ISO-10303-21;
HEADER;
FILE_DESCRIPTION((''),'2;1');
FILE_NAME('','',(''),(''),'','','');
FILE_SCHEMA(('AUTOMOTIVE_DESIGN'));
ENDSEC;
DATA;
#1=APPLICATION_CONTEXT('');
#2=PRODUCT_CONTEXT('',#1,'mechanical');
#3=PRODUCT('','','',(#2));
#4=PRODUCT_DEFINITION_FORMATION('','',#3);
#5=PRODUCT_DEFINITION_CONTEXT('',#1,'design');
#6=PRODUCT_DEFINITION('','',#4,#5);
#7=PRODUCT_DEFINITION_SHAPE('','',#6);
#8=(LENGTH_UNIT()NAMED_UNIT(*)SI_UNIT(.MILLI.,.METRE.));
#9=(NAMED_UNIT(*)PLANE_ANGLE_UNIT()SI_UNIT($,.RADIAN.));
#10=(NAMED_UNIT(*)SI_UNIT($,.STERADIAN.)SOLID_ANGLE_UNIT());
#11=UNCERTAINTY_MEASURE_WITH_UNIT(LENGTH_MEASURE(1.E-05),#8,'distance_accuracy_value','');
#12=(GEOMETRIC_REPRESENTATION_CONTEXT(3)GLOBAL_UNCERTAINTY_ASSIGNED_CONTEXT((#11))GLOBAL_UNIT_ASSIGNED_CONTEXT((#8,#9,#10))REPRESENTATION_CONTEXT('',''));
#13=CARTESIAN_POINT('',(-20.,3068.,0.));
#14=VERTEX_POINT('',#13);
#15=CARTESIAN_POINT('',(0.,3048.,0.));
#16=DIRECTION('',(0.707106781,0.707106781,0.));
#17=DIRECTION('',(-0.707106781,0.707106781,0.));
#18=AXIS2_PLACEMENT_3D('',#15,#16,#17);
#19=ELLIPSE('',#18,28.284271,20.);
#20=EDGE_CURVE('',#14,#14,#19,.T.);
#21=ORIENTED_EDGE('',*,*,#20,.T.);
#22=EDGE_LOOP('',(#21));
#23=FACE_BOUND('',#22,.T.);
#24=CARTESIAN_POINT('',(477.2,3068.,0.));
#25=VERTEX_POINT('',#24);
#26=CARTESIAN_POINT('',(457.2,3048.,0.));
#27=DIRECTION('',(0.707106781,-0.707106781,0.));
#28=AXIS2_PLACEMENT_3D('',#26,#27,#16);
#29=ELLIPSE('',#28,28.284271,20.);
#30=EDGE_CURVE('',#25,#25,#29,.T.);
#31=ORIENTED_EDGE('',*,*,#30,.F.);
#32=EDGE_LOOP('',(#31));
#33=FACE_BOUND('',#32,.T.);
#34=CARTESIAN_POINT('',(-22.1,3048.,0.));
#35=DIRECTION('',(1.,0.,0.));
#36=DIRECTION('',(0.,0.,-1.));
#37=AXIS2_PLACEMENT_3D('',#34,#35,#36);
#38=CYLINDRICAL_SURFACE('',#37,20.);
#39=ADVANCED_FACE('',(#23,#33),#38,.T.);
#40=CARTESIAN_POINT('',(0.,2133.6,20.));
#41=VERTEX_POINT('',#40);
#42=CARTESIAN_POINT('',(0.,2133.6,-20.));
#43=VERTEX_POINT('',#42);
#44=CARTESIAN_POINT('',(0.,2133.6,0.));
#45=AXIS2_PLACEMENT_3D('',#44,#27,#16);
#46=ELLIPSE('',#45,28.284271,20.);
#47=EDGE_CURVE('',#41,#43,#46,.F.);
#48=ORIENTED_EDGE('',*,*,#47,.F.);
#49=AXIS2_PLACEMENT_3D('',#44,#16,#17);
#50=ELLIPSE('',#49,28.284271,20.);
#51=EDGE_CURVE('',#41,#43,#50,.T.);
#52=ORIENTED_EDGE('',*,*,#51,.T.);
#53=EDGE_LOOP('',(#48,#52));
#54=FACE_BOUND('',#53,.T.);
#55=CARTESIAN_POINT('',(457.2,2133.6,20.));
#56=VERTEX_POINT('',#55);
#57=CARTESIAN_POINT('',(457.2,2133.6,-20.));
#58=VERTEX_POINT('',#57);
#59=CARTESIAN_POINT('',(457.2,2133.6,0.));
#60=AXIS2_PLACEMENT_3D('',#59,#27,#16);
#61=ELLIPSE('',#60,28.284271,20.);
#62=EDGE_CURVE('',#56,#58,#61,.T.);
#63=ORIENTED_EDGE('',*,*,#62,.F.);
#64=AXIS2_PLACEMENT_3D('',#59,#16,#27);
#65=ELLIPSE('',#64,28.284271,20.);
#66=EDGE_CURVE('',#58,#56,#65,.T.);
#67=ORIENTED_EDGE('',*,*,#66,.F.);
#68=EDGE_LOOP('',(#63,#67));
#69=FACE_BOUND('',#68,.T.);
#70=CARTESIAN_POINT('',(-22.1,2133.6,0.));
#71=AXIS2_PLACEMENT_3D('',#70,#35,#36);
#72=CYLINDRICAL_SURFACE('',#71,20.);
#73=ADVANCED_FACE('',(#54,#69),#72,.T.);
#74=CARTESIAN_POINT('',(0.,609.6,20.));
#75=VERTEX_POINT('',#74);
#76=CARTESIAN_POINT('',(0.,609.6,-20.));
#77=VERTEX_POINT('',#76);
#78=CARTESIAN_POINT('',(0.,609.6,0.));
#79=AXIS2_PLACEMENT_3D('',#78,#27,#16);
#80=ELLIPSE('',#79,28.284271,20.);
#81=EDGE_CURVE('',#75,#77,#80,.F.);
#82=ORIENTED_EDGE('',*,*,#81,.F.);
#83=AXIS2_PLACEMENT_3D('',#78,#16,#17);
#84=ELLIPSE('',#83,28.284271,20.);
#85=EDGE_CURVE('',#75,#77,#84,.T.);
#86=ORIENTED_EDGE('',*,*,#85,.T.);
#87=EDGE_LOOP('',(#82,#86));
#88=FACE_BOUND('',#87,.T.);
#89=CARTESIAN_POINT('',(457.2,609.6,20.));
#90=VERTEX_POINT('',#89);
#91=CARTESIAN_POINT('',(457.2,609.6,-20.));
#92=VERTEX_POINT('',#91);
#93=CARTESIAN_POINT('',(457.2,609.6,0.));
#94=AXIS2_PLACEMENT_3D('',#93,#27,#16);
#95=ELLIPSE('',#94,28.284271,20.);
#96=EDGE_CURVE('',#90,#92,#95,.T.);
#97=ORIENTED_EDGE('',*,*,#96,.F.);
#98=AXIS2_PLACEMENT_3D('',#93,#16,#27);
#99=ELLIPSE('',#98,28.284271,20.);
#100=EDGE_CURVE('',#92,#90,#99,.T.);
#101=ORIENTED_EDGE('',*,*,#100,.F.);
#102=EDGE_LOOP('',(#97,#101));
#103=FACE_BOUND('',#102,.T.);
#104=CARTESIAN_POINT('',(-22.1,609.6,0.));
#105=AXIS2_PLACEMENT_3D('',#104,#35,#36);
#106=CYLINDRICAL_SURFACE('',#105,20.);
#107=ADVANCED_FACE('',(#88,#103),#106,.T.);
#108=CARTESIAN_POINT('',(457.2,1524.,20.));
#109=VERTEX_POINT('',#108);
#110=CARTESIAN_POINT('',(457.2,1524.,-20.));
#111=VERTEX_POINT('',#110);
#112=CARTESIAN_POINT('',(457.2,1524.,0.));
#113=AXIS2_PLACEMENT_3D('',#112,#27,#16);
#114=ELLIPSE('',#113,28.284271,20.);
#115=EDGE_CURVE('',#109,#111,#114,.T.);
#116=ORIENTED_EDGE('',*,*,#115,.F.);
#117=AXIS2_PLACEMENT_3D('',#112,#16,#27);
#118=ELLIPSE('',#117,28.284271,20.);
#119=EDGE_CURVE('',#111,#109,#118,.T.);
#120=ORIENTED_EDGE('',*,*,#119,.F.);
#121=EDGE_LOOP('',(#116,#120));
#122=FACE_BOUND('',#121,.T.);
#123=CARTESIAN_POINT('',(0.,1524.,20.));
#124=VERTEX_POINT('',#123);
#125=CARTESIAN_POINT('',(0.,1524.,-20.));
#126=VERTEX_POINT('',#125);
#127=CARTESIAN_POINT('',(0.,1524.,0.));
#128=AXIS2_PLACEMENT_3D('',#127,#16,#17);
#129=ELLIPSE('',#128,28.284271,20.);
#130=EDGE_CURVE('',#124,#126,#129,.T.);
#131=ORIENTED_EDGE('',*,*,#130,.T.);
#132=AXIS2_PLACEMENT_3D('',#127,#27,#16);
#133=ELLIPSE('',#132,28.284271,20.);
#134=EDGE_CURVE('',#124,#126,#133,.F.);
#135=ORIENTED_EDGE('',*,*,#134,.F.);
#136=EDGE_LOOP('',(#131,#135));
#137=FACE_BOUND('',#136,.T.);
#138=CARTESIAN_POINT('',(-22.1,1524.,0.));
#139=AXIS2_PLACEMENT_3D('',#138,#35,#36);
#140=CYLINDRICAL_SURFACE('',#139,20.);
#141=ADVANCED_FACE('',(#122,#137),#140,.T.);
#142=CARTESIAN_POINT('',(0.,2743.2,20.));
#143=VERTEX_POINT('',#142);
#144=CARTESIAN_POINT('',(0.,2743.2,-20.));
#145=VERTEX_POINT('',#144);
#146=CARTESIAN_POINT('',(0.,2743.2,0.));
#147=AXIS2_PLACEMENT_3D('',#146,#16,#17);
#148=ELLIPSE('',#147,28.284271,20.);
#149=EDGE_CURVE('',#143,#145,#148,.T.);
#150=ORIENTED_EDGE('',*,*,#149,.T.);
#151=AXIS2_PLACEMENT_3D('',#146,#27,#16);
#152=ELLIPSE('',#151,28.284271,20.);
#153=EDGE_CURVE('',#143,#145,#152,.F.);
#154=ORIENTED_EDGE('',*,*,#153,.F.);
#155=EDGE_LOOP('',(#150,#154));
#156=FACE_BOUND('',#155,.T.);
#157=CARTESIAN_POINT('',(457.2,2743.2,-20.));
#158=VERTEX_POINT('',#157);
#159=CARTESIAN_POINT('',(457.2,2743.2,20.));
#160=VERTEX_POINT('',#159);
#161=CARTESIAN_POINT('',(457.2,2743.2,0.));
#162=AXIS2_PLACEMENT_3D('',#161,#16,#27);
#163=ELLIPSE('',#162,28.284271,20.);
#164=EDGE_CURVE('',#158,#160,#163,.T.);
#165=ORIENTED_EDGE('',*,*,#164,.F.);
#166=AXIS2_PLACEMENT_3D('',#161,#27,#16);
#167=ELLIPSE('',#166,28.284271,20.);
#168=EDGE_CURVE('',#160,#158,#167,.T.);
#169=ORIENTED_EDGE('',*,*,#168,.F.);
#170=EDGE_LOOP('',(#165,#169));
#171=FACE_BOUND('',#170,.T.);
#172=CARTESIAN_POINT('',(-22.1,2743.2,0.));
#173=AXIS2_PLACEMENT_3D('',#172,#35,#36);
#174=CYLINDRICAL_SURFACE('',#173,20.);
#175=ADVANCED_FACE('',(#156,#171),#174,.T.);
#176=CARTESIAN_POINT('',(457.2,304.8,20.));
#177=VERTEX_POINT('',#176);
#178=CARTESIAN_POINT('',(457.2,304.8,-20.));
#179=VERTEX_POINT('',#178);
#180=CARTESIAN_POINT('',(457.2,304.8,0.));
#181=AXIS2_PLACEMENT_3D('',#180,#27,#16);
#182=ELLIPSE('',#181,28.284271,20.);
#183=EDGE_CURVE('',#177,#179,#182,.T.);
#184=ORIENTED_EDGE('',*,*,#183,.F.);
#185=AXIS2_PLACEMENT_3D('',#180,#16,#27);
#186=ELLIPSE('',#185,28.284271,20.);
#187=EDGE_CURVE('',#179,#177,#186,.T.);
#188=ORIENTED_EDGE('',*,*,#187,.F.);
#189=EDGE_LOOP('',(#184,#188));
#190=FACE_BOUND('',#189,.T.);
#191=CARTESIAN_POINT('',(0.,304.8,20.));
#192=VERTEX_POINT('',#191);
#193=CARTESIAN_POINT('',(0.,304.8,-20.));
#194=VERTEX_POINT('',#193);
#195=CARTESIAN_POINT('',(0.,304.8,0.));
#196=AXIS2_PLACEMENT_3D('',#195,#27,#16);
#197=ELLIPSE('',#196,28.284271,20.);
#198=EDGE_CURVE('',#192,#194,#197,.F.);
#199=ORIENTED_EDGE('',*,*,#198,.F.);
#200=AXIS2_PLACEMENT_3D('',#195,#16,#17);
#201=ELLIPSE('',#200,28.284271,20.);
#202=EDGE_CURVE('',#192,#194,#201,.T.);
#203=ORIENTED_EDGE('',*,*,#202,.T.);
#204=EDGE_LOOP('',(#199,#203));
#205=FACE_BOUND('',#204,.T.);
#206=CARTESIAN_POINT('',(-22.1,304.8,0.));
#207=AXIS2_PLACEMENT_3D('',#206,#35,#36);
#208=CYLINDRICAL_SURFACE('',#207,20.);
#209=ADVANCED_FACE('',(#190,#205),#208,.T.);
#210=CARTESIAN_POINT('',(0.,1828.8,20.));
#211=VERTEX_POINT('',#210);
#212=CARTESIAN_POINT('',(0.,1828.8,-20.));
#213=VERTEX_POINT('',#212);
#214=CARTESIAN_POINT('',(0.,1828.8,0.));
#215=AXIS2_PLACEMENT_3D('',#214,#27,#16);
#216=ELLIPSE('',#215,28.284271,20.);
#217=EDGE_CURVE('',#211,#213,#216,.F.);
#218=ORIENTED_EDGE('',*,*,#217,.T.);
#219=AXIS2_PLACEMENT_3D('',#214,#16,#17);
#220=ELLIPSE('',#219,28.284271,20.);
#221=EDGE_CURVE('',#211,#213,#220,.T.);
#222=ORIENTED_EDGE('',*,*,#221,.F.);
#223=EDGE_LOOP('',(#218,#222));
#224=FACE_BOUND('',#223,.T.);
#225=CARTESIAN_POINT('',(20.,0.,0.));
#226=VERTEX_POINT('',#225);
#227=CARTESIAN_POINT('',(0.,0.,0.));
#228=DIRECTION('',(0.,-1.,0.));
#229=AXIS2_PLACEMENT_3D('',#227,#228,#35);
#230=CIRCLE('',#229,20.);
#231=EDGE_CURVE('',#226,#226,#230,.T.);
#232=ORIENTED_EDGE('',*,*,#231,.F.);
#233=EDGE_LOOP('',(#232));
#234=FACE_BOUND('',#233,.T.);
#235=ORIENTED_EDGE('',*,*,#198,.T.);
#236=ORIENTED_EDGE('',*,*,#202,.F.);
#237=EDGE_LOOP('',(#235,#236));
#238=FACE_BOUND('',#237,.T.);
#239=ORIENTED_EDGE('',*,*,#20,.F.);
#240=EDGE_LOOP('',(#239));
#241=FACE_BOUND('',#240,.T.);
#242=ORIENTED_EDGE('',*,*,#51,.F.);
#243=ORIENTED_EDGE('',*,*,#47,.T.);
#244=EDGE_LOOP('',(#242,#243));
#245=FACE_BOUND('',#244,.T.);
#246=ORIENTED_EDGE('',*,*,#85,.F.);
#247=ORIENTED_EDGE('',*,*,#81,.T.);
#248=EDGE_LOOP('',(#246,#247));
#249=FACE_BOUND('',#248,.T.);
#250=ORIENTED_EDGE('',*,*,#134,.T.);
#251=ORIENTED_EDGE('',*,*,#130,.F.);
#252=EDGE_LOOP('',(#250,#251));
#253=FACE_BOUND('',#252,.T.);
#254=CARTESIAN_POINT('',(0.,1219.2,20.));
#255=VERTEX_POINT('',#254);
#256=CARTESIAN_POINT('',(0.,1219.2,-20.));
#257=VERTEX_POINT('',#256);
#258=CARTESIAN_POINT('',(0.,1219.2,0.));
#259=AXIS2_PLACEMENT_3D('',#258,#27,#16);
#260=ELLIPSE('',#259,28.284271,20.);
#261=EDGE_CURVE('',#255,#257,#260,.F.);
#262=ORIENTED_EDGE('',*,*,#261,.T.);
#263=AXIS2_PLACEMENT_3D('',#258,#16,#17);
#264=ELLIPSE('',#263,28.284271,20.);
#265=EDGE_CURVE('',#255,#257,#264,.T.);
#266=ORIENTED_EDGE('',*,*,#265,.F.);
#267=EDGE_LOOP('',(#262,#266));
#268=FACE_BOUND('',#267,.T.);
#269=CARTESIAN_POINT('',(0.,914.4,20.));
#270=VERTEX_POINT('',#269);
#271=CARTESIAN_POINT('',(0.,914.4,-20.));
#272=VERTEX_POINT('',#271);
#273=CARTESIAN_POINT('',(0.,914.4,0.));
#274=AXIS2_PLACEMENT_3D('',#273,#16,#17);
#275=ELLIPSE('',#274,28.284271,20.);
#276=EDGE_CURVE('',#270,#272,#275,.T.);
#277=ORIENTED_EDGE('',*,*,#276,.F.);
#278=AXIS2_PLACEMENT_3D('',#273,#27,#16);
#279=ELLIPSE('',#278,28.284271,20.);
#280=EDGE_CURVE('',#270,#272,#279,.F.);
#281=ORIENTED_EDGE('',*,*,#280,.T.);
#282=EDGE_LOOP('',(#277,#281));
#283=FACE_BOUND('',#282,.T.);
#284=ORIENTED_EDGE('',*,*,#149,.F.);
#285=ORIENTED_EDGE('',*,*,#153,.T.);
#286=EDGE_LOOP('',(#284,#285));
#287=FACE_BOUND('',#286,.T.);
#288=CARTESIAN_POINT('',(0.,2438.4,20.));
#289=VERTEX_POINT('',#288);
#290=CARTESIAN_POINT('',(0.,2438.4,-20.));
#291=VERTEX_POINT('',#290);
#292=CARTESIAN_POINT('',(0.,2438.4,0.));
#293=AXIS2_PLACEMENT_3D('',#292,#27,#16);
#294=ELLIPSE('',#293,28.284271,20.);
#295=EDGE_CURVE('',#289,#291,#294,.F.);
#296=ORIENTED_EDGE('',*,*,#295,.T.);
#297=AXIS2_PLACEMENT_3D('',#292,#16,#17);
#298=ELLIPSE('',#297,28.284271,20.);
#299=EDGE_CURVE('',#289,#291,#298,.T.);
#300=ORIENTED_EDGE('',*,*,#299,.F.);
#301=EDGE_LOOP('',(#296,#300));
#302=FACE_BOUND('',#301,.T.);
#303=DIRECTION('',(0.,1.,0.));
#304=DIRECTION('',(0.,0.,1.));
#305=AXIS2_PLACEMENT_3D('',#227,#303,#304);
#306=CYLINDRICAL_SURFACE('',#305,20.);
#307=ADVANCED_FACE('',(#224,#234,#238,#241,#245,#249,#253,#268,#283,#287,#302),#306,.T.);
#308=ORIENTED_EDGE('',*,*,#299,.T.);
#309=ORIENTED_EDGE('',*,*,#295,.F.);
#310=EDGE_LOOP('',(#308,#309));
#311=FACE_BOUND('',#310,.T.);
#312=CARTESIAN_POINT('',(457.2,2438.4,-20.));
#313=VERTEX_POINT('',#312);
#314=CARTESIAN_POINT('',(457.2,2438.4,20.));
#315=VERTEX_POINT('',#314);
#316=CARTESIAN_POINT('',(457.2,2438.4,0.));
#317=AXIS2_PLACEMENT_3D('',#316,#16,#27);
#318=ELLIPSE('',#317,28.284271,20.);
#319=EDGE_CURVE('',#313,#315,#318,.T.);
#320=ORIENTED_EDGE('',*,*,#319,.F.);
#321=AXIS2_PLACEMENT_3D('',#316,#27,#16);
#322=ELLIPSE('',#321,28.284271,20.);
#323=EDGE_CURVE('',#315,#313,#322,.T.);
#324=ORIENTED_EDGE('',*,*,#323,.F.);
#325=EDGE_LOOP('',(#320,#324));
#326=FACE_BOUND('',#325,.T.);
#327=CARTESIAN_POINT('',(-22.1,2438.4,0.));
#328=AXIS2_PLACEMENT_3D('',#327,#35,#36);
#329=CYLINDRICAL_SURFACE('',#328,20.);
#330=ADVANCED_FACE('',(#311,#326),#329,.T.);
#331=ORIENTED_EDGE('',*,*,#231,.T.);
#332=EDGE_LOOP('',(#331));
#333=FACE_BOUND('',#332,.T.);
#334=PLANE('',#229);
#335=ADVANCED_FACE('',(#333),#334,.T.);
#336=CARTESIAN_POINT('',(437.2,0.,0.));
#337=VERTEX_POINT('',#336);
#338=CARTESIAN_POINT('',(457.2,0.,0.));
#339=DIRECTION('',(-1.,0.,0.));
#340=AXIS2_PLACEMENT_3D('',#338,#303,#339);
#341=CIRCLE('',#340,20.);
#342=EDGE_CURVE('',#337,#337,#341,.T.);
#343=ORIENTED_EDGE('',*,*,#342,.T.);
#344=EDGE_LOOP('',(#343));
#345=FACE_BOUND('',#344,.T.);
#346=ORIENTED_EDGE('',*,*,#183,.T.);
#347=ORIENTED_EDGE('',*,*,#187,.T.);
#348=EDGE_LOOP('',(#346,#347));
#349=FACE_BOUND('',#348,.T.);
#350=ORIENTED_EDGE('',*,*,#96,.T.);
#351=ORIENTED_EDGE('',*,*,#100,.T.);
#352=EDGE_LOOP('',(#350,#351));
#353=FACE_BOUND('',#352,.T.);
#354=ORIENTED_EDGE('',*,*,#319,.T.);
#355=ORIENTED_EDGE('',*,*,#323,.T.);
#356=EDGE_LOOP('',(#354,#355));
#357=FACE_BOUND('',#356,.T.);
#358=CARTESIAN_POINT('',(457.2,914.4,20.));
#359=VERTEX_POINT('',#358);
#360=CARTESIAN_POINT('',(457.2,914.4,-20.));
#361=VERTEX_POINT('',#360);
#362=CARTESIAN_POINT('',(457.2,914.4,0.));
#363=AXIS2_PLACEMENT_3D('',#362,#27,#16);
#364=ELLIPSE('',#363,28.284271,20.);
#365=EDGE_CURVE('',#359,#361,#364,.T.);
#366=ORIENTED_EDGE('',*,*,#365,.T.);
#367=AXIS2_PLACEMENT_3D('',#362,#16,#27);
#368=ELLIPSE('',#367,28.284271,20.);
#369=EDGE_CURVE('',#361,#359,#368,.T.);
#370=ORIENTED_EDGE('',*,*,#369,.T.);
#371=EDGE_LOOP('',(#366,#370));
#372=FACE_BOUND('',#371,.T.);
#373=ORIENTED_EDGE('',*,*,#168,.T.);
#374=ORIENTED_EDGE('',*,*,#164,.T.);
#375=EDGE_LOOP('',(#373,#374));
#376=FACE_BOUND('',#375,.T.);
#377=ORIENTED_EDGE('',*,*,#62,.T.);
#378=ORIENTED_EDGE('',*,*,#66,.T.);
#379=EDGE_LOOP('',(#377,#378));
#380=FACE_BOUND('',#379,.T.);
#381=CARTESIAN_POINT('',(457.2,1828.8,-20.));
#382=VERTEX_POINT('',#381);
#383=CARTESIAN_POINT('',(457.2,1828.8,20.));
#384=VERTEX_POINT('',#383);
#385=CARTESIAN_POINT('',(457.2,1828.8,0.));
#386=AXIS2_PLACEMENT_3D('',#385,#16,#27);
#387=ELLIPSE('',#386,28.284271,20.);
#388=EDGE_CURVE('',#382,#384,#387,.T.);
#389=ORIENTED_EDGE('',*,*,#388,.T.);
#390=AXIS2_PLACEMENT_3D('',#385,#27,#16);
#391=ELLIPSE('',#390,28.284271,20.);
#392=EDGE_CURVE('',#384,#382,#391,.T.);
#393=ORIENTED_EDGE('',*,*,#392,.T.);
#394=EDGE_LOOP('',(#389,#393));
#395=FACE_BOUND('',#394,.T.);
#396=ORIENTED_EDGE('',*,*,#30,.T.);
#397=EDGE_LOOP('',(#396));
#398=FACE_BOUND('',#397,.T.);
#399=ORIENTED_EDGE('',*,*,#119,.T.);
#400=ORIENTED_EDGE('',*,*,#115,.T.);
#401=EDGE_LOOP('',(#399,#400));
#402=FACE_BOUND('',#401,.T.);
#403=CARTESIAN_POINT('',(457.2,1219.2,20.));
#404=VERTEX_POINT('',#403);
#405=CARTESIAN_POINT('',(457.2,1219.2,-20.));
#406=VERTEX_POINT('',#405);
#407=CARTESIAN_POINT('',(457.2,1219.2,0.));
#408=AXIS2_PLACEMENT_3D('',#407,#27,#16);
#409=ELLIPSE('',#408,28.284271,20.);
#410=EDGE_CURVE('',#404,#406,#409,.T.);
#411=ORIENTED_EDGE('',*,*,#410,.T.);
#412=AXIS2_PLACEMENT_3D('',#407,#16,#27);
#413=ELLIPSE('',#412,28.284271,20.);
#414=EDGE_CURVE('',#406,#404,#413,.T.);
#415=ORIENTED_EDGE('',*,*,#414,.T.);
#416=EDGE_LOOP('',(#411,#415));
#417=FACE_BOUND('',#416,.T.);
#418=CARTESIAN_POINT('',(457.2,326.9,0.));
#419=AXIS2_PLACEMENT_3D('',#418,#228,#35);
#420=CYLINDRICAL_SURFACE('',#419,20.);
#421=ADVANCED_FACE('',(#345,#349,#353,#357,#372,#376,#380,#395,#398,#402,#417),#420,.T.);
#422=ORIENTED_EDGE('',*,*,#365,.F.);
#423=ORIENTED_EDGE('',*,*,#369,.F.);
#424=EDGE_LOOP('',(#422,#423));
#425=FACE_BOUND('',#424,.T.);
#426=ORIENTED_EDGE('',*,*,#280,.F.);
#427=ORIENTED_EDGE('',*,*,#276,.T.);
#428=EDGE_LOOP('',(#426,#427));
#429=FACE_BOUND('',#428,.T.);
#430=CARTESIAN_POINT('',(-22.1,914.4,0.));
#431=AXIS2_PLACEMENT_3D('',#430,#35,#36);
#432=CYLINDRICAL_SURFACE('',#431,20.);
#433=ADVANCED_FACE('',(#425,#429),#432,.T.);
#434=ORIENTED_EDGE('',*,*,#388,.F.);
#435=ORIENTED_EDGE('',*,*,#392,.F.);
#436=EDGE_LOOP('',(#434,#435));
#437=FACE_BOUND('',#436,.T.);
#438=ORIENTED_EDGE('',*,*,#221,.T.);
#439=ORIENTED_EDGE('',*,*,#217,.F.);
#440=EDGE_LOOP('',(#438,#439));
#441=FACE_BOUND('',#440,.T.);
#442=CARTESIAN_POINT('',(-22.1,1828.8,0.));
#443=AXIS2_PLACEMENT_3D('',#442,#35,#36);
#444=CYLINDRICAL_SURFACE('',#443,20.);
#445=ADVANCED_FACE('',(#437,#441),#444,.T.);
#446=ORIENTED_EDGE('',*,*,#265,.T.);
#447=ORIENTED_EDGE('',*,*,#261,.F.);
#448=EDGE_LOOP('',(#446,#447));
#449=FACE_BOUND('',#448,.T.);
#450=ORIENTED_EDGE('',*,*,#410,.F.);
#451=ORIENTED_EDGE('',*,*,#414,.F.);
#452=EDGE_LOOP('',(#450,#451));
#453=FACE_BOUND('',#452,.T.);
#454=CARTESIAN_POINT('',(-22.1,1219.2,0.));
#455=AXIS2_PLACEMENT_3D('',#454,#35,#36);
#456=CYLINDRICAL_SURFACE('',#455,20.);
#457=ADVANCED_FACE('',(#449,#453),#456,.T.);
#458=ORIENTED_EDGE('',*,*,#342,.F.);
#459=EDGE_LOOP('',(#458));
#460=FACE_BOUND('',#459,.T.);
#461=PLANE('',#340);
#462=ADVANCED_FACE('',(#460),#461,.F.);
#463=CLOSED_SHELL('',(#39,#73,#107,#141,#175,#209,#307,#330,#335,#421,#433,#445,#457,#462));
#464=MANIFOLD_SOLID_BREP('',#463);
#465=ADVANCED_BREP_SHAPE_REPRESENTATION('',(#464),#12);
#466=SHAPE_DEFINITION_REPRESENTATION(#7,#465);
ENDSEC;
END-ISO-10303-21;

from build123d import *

# Parameters (mm, degrees)
SWEEP1_PROFILE_R = 20
LPATTERN1_COUNT  = 10
LPATTERN1_PITCH  = 304.8


with BuildPart() as part:
    # Sweep1: sweep along a path in Sketch3
    with BuildLine(Plane.XY) as sweep1_path:
        Line((0, 0), (0, 304.8))
        Line((0, 304.8), (457.2, 304.8))
        Line((457.2, 304.8), (457.2, 0))
    # Sweep1 profile (on start of the path) → Sweep1 (sweep)
    with BuildSketch(Plane.ZX):
        Circle(SWEEP1_PROFILE_R)
    sweep1 = sweep(path=sweep1_path.line, transition=Transition.RIGHT)

    # LPattern1: Sweep1 ×10
    with Locations(*[(0, i * LPATTERN1_PITCH, 0) for i in range(1, LPATTERN1_COUNT)]):
        add(sweep1)


solid = part.part
